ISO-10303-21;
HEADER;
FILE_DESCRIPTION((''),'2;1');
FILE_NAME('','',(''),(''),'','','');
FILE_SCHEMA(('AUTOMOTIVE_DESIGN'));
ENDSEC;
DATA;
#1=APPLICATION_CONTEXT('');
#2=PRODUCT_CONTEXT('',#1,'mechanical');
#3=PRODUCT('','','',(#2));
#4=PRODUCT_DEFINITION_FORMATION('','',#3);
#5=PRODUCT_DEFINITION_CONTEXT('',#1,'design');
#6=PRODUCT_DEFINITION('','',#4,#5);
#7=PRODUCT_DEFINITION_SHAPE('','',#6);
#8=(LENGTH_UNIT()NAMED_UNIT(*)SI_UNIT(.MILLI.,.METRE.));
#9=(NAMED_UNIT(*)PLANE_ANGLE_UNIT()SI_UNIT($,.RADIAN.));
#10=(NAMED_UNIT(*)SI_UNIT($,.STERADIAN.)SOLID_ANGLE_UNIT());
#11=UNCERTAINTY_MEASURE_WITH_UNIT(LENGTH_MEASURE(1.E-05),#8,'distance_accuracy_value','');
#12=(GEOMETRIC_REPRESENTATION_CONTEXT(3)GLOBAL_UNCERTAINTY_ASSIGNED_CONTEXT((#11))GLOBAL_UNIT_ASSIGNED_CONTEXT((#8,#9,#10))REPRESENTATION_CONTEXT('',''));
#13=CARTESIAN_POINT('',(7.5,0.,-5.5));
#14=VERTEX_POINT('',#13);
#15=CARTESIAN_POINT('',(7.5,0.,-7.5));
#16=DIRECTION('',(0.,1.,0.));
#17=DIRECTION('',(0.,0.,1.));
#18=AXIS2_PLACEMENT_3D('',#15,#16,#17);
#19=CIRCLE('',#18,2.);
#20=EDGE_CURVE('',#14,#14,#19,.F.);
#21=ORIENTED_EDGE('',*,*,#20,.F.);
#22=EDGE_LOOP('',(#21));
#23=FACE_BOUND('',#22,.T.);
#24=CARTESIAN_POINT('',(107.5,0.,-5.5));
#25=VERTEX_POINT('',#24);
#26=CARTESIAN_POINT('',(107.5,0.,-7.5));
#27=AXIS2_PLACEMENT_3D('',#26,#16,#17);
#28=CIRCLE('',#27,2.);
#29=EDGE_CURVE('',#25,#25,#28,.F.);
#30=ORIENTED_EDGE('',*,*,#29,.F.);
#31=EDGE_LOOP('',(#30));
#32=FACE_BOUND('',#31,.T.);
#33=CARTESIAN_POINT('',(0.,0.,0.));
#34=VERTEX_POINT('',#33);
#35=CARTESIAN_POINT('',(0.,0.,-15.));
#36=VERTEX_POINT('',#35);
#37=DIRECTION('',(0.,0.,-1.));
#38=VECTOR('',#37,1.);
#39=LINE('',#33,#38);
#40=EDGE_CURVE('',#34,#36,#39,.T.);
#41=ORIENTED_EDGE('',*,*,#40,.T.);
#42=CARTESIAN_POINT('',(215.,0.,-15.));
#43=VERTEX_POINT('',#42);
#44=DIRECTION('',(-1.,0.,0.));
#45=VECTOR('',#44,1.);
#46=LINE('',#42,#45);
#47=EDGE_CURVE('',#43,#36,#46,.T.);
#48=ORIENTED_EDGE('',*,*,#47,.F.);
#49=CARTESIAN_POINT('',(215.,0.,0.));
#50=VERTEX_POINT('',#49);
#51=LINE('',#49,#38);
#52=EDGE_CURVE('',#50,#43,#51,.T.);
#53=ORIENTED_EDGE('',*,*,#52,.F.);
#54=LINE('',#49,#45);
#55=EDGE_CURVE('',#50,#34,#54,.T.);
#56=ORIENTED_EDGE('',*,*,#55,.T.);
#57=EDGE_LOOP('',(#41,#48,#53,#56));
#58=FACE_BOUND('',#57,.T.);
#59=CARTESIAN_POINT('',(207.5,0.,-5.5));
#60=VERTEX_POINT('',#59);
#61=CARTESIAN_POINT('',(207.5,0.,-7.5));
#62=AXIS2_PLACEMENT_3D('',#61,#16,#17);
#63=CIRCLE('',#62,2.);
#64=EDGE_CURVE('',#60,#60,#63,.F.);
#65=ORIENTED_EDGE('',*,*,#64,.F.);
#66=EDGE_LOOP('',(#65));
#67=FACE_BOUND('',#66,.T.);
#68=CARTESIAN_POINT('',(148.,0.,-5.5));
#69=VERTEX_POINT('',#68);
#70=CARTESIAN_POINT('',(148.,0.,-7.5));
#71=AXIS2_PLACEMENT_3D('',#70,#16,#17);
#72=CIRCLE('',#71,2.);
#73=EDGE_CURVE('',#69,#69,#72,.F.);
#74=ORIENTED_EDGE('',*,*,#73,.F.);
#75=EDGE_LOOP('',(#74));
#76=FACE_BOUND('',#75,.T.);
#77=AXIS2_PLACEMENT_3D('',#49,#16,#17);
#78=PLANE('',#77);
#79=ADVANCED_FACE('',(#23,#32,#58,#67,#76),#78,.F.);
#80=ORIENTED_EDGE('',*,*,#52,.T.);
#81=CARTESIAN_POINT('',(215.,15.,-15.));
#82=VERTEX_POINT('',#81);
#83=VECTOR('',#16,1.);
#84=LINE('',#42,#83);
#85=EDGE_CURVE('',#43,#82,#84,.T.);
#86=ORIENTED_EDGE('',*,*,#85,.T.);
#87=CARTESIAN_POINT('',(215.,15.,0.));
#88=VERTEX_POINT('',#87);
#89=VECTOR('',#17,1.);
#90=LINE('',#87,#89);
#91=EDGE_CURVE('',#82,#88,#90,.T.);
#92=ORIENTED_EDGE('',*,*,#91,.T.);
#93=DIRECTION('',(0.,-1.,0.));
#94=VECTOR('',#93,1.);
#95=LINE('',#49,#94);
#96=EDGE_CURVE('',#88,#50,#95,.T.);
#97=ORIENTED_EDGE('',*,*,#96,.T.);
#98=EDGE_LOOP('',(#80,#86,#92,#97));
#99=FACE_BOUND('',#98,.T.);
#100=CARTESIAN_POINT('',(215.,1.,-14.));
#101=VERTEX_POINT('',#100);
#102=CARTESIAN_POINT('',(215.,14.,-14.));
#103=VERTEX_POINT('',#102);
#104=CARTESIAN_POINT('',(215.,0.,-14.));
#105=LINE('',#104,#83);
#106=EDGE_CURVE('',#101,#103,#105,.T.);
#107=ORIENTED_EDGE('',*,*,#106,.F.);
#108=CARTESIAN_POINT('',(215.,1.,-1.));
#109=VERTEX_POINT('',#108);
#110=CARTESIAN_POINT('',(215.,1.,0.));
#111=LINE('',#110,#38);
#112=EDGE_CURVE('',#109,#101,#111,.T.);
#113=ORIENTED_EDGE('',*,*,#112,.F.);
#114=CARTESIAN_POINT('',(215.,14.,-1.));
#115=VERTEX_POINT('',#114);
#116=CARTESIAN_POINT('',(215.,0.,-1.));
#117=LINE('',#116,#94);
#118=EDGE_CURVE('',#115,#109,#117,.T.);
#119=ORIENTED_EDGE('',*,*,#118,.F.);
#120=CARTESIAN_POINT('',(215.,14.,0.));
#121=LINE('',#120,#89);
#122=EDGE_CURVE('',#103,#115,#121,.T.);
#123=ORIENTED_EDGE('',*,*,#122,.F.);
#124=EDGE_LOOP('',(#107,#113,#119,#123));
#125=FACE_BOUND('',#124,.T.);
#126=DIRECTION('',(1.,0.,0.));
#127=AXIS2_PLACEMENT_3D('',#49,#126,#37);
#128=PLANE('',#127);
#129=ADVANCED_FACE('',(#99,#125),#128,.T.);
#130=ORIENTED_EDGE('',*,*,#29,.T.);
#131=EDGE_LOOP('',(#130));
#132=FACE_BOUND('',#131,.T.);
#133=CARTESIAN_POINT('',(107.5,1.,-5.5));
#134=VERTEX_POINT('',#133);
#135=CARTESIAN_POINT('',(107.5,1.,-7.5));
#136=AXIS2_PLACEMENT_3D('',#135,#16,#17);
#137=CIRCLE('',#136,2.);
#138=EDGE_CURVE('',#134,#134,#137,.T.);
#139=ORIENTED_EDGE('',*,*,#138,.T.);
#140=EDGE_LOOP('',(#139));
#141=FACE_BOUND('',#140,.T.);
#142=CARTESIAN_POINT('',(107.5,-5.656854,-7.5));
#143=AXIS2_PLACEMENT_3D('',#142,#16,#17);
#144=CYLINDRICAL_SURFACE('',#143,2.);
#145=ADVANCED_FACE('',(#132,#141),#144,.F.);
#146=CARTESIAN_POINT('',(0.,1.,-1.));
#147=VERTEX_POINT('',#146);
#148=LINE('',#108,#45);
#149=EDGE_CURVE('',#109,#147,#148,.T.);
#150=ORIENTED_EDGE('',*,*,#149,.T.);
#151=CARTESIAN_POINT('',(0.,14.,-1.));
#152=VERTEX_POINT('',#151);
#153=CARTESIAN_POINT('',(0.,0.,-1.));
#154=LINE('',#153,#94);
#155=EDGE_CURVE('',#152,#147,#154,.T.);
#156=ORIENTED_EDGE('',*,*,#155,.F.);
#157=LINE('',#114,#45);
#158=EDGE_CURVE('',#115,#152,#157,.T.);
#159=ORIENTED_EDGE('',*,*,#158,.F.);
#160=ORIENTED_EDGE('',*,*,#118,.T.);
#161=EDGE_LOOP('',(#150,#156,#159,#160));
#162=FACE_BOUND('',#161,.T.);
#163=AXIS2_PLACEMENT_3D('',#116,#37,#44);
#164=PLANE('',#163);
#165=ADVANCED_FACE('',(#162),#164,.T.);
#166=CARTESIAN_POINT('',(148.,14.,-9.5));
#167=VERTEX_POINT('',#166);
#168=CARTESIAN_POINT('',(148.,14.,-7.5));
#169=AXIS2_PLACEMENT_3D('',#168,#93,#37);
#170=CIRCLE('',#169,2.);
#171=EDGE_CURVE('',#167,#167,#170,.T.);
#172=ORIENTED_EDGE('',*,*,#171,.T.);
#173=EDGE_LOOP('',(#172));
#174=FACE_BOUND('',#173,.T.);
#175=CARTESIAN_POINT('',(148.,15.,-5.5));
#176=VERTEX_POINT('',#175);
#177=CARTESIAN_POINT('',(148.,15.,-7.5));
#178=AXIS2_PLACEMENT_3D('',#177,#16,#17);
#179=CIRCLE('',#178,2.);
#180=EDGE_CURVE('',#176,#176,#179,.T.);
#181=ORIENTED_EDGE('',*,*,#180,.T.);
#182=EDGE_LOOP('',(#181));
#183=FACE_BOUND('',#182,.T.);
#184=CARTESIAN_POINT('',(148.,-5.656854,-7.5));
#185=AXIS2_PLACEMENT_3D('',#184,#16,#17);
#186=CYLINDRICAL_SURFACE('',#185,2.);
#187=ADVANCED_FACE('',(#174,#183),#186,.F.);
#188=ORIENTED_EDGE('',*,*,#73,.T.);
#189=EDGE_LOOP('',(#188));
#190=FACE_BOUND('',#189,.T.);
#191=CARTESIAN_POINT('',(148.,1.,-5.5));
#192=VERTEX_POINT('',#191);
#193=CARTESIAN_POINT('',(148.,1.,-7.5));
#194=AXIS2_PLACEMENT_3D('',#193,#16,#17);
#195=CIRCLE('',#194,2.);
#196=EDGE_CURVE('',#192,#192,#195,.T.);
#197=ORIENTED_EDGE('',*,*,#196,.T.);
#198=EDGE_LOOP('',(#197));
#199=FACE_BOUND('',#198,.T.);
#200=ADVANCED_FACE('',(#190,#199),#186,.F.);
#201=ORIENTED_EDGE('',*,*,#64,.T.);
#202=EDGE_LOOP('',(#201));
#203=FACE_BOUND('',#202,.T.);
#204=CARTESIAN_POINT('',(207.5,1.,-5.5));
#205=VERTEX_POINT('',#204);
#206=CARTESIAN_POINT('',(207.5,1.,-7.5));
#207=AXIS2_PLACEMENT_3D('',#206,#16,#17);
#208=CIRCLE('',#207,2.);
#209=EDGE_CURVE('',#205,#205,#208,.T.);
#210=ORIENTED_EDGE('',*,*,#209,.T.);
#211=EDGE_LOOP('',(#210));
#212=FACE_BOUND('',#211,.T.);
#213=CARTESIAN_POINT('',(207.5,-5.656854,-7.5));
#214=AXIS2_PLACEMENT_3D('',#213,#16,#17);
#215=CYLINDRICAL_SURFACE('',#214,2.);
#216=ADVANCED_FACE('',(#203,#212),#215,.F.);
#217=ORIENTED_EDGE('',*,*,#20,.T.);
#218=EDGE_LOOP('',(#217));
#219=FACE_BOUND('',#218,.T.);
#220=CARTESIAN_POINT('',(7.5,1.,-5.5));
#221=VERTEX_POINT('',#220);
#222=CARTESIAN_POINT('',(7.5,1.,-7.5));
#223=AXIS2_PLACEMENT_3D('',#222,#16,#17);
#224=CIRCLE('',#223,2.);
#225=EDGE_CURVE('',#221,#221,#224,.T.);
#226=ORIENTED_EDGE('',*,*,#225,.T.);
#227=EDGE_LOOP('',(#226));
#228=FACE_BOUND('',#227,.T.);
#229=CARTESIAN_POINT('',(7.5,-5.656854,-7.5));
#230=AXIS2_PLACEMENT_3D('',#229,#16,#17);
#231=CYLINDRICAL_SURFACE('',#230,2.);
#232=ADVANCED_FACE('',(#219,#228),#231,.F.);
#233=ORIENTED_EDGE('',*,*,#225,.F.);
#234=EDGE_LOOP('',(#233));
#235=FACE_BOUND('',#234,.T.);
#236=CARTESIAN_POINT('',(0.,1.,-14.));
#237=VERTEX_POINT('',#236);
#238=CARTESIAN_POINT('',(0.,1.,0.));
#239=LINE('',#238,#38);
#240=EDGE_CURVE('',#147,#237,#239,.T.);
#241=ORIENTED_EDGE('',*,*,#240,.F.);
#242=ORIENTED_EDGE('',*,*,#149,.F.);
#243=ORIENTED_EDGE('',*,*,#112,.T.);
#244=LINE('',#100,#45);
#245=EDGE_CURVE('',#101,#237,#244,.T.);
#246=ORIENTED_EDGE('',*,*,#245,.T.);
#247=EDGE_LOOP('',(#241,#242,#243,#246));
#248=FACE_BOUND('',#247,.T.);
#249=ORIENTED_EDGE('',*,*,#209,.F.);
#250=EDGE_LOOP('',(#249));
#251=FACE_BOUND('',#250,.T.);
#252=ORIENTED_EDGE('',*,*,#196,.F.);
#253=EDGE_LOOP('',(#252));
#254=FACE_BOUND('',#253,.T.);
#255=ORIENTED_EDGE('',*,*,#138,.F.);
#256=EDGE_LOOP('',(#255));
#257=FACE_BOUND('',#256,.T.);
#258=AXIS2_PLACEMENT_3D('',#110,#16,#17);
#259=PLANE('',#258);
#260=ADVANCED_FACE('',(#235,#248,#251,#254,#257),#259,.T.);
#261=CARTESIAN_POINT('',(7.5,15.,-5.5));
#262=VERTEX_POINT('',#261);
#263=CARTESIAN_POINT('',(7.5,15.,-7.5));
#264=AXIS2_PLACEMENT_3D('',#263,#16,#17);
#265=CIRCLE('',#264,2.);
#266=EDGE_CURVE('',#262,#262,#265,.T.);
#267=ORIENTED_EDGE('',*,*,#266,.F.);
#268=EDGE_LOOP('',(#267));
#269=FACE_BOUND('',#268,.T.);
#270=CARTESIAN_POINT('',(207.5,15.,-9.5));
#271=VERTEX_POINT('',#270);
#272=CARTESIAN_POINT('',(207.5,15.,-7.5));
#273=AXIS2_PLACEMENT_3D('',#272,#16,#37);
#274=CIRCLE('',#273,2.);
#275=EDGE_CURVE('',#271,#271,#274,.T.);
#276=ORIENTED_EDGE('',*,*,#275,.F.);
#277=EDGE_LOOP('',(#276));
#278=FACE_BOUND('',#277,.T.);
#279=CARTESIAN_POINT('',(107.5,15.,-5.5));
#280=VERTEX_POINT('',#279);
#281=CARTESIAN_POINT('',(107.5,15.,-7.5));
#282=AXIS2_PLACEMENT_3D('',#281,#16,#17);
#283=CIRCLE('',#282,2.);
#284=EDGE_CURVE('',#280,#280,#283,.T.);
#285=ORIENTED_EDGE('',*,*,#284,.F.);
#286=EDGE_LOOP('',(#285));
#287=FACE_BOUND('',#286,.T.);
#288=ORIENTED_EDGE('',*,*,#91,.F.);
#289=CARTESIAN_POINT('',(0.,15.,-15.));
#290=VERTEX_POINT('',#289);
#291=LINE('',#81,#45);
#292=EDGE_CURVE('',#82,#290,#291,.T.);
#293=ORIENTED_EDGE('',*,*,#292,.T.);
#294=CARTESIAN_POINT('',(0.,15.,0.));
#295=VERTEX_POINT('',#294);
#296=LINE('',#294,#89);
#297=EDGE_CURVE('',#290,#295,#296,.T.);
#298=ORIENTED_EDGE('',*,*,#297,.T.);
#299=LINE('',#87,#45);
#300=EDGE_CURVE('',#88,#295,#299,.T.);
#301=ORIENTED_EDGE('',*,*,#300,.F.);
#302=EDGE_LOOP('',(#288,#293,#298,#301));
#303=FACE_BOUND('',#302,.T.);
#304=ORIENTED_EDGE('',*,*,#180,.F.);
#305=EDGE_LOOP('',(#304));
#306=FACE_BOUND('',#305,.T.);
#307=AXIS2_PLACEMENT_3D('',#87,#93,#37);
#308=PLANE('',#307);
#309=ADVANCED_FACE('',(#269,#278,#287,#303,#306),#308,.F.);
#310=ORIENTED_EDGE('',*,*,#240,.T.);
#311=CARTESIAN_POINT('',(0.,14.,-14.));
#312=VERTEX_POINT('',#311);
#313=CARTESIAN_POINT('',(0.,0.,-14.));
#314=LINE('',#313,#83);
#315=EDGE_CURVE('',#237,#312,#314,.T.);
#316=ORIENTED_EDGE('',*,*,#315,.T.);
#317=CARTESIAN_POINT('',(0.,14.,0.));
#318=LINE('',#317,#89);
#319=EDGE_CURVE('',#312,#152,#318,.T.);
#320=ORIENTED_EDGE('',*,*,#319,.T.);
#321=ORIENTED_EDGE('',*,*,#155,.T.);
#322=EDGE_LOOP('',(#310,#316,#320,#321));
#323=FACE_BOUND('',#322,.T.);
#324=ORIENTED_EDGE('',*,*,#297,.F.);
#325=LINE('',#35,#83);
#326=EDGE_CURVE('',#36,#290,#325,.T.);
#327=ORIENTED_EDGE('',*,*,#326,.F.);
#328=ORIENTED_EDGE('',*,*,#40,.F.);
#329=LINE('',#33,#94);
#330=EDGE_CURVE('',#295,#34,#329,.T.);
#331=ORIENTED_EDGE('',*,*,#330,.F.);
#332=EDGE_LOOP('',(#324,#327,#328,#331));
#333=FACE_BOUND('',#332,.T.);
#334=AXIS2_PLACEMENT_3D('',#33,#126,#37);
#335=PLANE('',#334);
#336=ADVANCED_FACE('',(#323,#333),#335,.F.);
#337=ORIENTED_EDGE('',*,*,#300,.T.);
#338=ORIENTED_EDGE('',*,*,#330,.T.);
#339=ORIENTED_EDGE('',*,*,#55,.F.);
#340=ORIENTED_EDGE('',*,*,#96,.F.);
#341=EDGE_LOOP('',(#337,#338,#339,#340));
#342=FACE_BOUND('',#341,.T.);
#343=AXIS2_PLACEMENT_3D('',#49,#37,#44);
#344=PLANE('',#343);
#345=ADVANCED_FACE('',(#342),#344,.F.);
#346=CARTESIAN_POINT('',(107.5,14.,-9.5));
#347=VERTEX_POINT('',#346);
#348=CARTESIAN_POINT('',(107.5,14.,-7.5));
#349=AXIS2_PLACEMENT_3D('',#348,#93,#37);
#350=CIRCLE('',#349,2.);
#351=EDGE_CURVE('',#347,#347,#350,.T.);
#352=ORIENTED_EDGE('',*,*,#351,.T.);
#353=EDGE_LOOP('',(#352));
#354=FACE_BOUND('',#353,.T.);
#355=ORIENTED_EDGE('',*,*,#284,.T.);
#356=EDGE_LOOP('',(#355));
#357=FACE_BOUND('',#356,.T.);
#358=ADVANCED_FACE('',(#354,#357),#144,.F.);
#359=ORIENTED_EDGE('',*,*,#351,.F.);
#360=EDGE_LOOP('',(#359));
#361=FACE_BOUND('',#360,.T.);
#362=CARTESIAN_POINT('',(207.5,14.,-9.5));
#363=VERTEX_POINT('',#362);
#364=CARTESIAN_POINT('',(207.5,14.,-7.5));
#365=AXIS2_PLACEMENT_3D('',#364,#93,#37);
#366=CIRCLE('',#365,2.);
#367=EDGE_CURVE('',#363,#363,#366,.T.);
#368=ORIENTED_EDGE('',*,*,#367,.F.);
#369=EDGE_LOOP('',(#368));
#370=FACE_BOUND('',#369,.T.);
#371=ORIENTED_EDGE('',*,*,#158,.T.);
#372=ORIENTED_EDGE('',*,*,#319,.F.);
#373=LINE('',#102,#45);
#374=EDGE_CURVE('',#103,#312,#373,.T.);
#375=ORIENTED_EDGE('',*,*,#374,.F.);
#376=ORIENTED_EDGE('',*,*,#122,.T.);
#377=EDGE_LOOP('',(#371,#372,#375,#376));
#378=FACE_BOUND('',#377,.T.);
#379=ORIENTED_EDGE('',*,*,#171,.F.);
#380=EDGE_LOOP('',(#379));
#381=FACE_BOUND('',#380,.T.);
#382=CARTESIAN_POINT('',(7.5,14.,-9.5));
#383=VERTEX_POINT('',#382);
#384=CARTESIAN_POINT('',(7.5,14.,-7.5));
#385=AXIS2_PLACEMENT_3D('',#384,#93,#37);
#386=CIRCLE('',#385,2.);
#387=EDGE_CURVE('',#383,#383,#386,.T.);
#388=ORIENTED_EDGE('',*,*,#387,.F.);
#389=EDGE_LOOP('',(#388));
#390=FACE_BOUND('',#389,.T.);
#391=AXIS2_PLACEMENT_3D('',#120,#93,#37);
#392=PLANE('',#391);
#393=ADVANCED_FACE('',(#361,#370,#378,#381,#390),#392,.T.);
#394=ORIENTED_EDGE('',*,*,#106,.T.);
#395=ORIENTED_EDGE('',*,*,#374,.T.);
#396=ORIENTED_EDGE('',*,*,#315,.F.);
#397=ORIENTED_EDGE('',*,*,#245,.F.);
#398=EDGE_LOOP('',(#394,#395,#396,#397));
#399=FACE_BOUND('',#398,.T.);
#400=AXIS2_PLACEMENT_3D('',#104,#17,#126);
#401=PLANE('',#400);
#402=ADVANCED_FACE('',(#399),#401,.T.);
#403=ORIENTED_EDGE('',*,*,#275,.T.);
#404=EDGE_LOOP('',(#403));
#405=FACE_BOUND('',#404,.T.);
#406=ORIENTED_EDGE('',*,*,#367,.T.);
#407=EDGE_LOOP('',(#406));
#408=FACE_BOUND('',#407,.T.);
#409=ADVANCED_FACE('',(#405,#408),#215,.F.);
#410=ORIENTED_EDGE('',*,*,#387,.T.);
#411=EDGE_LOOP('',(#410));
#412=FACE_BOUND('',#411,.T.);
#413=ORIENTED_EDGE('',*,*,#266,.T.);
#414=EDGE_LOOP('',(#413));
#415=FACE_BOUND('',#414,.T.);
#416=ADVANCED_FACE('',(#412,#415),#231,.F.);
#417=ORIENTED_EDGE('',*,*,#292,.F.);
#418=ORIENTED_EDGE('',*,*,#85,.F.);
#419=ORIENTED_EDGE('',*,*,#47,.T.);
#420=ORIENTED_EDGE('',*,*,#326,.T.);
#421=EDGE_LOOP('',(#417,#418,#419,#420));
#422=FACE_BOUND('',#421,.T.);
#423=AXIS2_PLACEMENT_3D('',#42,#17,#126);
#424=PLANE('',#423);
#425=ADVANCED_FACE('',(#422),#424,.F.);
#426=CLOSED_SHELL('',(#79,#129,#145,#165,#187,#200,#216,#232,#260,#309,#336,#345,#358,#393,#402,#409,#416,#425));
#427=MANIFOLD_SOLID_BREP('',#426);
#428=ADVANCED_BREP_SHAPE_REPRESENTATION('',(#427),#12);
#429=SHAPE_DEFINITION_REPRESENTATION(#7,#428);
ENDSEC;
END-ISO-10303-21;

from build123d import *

# Parameters (mm, degrees)
SKETCH_1_W          = 15
SKETCH_1_H          = 15
SKETCH_1_W_2        = 13
SKETCH_1_H_2        = 13
EXTRUDE_1_DEPTH     = 215
CUT_EXTRUDE_1_REACH = 218.044
SKETCH_2_R          = 2


with BuildPart() as part:
    # ｽｹｯﾁ1 → 押し出し-薄板1 (new body)
    with BuildSketch(Plane(origin=(0, 0, 0), x_dir=(0, 0, -1), z_dir=(1, 0, 0))):
        with Locations((7.5, 7.5)):
            Rectangle(SKETCH_1_W, SKETCH_1_H)
        with Locations((7.5, 7.5)):
            Rectangle(SKETCH_1_W_2, SKETCH_1_H_2, mode=Mode.SUBTRACT)
    extrude(amount=EXTRUDE_1_DEPTH)

    # ｶｯﾄ - 押し出し1: up to this face of the body (flat: up to its plane)
    cut_extrude_1_end = Plane(part.part.faces().sort_by_distance((107.5, 0, -7.5))[0])
    # ｽｹｯﾁ2 → ｶｯﾄ - 押し出し1 (cut, up to the picked face)
    with BuildSketch(Plane(origin=(0, 15, 0), x_dir=(1, 0, 0), z_dir=(0, 1, 0)), mode=Mode.PRIVATE) as cut_extrude_1_sk1:
        with Locations(Location((107.5, 7.5, 0), (0, 0, 270))):
            Circle(SKETCH_2_R)
    cut_extrude_1_tool1 = split(extrude(cut_extrude_1_sk1.sketch, amount=-CUT_EXTRUDE_1_REACH, mode=Mode.PRIVATE), bisect_by=cut_extrude_1_end, keep=Keep.BOTH, mode=Mode.PRIVATE)
    # ｽｹｯﾁ2 → ｶｯﾄ - 押し出し1 (cut, up to the picked face)
    with BuildSketch(Plane(origin=(0, 15, 0), x_dir=(1, 0, 0), z_dir=(0, 1, 0)), mode=Mode.PRIVATE) as cut_extrude_1_sk2:
        with Locations(Location((7.5, 7.5, 0), (0, 0, 270))):
            Circle(SKETCH_2_R)
    cut_extrude_1_tool2 = split(extrude(cut_extrude_1_sk2.sketch, amount=-CUT_EXTRUDE_1_REACH, mode=Mode.PRIVATE), bisect_by=cut_extrude_1_end, keep=Keep.BOTH, mode=Mode.PRIVATE)
    # ｽｹｯﾁ2 → ｶｯﾄ - 押し出し1 (cut, up to the picked face)
    with BuildSketch(Plane(origin=(0, 15, 0), x_dir=(1, 0, 0), z_dir=(0, 1, 0)), mode=Mode.PRIVATE) as cut_extrude_1_sk3:
        with Locations(Location((207.5, 7.5, 0), (0, 0, 90))):
            Circle(SKETCH_2_R)
    cut_extrude_1_tool3 = split(extrude(cut_extrude_1_sk3.sketch, amount=-CUT_EXTRUDE_1_REACH, mode=Mode.PRIVATE), bisect_by=cut_extrude_1_end, keep=Keep.BOTH, mode=Mode.PRIVATE)
    # ｽｹｯﾁ2 → ｶｯﾄ - 押し出し1 (cut, up to the picked face)
    with BuildSketch(Plane(origin=(0, 15, 0), x_dir=(1, 0, 0), z_dir=(0, 1, 0)), mode=Mode.PRIVATE) as cut_extrude_1_sk4:
        with Locations(Location((148, 7.5, 0), (0, 0, 270))):
            Circle(SKETCH_2_R)
    cut_extrude_1_tool4 = split(extrude(cut_extrude_1_sk4.sketch, amount=-CUT_EXTRUDE_1_REACH, mode=Mode.PRIVATE), bisect_by=cut_extrude_1_end, keep=Keep.BOTH, mode=Mode.PRIVATE)
    add(cut_extrude_1_tool1.solids().sort_by(Axis((107.5, 15, -7.5), (0, -1, 0)))[0], mode=Mode.SUBTRACT)
    add(cut_extrude_1_tool2.solids().sort_by(Axis((7.5, 15, -7.5), (0, -1, 0)))[0], mode=Mode.SUBTRACT)
    add(cut_extrude_1_tool3.solids().sort_by(Axis((207.5, 15, -7.5), (0, -1, 0)))[0], mode=Mode.SUBTRACT)
    add(cut_extrude_1_tool4.solids().sort_by(Axis((148, 15, -7.5), (0, -1, 0)))[0], mode=Mode.SUBTRACT)


solid = part.part
